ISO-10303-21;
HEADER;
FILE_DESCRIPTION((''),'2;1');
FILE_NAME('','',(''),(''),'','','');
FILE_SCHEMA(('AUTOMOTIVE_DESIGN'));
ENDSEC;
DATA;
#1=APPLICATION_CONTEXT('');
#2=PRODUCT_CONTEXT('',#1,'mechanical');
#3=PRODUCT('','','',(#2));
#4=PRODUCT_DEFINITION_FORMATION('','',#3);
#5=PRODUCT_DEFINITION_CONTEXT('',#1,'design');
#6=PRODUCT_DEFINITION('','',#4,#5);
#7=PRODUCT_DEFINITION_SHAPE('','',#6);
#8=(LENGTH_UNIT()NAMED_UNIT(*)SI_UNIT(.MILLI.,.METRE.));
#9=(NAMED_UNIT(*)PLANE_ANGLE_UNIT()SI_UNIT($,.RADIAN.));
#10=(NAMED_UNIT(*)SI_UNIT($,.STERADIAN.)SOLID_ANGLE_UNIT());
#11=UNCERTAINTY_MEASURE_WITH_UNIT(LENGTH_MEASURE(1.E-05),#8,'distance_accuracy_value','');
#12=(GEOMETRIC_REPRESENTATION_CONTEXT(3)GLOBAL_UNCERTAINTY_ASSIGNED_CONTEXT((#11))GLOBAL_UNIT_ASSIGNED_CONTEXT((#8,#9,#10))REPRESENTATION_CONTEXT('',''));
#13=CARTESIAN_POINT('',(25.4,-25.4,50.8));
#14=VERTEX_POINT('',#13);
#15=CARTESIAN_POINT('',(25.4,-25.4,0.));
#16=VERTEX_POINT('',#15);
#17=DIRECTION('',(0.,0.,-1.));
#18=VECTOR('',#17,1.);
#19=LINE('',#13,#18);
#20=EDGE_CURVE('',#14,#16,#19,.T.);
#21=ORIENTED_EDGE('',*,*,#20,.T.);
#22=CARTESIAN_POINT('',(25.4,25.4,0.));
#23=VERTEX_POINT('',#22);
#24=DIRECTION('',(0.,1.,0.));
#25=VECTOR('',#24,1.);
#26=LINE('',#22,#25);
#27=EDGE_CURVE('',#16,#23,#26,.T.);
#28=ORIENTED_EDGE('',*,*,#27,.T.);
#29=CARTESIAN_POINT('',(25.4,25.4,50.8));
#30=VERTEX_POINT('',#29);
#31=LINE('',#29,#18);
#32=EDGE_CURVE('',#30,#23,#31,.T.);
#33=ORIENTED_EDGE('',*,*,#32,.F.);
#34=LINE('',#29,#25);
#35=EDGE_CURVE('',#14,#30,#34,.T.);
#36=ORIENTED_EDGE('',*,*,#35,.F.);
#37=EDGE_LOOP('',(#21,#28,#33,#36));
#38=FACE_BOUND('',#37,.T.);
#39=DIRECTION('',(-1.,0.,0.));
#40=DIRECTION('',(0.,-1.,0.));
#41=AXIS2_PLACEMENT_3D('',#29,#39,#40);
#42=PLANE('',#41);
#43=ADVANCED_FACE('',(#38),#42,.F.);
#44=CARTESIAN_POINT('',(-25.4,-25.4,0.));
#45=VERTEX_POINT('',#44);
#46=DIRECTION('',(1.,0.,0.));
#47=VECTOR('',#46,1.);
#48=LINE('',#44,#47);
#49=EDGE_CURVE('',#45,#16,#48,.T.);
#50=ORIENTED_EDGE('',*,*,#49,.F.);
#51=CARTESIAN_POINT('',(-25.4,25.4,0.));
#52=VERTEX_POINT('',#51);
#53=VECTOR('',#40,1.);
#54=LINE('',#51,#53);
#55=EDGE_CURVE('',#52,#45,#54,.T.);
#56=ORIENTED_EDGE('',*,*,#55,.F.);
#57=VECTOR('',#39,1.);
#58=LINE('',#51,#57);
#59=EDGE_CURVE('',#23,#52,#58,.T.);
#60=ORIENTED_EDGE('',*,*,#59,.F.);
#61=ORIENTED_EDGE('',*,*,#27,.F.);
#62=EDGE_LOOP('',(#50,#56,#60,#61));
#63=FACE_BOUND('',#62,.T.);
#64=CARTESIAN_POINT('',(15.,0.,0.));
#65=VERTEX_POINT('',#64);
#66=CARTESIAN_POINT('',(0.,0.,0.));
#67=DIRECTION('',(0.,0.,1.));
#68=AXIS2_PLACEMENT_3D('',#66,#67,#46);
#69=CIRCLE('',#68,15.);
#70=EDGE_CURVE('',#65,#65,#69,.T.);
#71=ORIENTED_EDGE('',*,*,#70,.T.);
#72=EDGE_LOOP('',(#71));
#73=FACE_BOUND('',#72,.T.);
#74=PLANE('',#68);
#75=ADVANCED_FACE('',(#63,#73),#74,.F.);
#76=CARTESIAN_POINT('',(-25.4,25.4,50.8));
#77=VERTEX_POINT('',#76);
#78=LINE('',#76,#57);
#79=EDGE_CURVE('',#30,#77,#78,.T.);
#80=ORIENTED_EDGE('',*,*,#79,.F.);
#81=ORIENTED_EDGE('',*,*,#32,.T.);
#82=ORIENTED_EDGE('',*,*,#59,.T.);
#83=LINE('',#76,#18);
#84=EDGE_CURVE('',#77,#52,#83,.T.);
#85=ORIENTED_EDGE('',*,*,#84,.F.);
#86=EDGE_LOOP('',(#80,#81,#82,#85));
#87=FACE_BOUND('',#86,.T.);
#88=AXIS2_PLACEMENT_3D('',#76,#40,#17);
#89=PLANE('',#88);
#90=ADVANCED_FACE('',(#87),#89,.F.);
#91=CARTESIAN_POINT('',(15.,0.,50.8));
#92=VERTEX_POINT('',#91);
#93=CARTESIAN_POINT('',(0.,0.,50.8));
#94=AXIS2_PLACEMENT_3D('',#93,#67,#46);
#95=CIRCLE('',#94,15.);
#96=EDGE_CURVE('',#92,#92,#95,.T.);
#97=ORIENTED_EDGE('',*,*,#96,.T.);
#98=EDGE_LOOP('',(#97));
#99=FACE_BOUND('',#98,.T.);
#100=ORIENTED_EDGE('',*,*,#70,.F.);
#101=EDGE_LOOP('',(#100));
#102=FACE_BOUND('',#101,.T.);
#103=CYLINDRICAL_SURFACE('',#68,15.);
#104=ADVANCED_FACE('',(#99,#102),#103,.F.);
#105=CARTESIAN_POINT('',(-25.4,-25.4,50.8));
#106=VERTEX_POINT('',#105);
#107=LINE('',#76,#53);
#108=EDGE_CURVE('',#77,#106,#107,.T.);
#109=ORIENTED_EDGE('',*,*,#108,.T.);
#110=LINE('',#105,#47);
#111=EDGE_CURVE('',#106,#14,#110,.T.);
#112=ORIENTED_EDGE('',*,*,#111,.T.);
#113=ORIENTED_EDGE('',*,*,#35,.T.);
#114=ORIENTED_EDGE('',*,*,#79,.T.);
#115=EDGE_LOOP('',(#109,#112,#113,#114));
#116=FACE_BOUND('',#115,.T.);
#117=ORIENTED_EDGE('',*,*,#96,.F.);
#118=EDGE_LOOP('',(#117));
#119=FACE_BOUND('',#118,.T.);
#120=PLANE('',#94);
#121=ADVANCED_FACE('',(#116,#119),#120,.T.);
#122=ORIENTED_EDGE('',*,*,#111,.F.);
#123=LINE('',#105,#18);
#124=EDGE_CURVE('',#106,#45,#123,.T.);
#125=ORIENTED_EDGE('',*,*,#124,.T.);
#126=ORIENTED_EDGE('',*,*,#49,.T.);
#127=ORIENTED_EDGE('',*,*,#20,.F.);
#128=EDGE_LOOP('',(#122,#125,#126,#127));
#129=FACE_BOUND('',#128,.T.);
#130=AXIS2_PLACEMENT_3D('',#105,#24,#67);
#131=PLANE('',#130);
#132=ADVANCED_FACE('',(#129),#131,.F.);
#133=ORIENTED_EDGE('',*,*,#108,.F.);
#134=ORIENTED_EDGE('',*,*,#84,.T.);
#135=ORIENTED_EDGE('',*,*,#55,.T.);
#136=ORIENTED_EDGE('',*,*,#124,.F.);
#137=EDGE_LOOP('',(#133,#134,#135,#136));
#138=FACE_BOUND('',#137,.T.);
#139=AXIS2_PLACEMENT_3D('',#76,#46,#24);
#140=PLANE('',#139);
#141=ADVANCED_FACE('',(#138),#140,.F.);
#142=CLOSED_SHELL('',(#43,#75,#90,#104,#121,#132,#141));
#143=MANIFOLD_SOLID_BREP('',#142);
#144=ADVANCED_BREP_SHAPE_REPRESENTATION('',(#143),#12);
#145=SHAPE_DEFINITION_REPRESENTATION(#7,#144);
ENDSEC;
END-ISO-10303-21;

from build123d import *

# Parameters (mm, degrees)
SKETCH1_W           = 50.8
SKETCH1_H           = 50.8
BOSS_EXTRUDE1_DEPTH = 50.8
SKETCH2_R           = 15
CUT_EXTRUDE1_DEPTH  = 50.8


with BuildPart() as part:
    # Sketch1 → Boss-Extrude1 (new body)
    with BuildSketch(Plane.XY):
        Rectangle(SKETCH1_W, SKETCH1_H)
    extrude(amount=BOSS_EXTRUDE1_DEPTH)

    # Sketch2 → Cut-Extrude1 (cut)
    with BuildSketch(Plane.XY.offset(50.8)):
        Circle(SKETCH2_R)
    extrude(amount=-CUT_EXTRUDE1_DEPTH, mode=Mode.SUBTRACT)


solid = part.part
